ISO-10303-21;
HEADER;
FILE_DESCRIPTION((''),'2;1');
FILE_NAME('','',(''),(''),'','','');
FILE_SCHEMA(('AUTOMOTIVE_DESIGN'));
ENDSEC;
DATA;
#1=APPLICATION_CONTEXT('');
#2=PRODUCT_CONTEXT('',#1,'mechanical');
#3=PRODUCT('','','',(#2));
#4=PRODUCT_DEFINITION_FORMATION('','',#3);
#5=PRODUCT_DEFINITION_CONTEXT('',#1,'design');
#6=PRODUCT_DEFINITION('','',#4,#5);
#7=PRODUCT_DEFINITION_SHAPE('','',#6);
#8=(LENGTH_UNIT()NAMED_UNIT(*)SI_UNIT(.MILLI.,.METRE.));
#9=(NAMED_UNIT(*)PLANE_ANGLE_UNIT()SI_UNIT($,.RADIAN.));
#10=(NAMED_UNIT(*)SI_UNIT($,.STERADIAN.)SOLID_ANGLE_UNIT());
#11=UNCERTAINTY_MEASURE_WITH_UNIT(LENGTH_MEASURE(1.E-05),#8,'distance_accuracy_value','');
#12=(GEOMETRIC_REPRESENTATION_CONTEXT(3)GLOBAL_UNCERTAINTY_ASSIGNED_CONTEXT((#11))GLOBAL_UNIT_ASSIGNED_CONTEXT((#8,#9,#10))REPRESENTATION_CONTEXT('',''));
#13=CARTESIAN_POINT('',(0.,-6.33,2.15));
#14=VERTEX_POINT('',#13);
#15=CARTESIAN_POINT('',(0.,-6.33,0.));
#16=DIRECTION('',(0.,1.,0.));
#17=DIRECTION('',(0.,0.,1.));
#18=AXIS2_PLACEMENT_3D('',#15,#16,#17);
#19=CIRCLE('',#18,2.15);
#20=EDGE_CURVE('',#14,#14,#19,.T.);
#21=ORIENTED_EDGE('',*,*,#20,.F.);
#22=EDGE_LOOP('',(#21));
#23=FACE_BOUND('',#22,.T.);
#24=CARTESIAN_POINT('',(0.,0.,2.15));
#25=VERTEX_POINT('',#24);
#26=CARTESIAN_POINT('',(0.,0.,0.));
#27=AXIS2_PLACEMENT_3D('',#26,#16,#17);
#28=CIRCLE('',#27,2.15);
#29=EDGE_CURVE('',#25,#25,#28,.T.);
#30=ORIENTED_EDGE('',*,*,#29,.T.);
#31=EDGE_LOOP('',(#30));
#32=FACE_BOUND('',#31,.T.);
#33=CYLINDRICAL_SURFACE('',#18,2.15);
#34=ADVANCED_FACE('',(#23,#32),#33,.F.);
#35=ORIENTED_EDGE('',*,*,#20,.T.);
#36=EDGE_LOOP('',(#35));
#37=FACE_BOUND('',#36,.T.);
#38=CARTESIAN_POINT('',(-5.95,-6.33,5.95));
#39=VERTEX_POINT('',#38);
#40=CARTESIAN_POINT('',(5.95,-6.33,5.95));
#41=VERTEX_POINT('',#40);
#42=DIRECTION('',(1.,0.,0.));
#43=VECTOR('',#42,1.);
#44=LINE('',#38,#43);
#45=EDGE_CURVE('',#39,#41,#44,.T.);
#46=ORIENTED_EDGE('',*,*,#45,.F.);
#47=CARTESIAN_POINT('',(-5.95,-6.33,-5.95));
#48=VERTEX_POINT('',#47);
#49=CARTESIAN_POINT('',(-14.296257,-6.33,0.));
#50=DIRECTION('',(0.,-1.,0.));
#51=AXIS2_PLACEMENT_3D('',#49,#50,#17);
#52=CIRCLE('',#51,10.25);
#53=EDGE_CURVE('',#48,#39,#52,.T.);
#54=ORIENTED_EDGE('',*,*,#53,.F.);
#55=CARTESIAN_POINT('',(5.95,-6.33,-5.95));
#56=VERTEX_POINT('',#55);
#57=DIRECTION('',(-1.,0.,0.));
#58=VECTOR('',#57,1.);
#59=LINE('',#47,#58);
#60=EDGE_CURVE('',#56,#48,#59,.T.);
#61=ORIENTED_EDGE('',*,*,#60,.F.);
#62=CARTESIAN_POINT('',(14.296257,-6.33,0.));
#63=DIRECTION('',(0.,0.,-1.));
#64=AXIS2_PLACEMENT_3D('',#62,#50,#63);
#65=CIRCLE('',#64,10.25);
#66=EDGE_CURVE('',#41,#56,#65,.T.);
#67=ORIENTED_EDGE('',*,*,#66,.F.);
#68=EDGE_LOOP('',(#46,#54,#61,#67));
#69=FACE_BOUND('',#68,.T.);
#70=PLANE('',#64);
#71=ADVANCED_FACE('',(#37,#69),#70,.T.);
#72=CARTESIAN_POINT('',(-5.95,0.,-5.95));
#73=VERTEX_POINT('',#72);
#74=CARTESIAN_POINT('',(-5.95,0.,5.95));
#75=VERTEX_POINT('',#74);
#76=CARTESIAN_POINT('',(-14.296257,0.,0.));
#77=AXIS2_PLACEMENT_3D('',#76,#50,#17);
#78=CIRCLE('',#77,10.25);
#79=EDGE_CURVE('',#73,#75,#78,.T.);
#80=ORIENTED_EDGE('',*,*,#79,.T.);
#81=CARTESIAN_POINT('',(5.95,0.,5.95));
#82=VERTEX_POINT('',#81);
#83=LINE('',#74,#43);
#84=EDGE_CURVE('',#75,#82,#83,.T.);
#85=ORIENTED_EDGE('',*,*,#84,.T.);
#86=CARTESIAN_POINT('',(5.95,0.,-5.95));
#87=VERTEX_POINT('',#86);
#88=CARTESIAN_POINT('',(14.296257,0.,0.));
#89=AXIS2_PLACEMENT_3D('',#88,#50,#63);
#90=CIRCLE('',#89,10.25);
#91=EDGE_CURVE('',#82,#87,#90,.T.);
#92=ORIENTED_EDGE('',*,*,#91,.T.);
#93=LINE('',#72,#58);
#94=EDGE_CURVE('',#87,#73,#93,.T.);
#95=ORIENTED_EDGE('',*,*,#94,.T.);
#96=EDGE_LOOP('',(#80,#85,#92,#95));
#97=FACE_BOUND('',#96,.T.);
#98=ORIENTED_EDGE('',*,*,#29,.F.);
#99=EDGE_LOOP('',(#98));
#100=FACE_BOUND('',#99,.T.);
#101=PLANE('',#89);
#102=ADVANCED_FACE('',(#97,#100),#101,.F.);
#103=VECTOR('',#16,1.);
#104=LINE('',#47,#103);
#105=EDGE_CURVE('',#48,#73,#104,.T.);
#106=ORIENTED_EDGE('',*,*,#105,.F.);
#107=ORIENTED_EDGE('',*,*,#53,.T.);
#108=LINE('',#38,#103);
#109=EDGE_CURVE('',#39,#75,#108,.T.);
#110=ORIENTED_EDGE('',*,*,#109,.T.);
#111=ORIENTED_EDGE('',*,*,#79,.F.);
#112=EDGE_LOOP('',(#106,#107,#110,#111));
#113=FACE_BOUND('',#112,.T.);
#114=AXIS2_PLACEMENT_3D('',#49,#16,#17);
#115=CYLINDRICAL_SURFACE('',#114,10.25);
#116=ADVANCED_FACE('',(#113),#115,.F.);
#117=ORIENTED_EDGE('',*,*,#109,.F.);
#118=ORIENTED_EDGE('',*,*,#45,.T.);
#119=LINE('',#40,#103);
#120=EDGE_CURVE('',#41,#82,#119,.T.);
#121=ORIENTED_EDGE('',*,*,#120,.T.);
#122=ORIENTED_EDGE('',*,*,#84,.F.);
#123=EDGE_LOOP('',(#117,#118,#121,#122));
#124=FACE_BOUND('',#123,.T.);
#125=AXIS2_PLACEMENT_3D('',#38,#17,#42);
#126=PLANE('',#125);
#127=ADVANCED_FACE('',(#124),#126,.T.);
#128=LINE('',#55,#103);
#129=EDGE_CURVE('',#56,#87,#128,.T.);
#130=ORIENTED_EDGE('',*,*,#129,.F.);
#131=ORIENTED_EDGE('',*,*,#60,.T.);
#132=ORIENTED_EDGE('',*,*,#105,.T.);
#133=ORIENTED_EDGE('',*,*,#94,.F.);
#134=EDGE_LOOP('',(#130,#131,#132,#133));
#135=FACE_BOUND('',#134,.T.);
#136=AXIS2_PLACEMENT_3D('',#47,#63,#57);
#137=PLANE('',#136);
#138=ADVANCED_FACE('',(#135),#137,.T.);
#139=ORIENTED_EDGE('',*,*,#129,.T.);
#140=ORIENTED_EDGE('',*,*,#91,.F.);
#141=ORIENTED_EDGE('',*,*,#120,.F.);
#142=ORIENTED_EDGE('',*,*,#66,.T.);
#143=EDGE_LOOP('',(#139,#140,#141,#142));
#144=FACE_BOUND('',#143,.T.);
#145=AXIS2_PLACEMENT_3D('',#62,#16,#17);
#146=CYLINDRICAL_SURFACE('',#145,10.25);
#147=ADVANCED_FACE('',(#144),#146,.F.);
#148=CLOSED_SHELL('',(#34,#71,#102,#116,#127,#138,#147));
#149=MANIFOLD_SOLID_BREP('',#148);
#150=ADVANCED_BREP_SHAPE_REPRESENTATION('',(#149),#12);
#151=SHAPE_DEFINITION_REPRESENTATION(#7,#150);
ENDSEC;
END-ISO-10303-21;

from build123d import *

# Parameters (mm, degrees)
BOSS_EXTRUDE1_DEPTH = 6.33
SKETCH2_R           = 2.15
CUT_EXTRUDE1_DEPTH  = 11.529667611


with BuildPart() as part:
    # Sketch1 → Boss-Extrude1 (new body)
    with BuildSketch(Plane(origin=(0, 0, 0), x_dir=(1, 0, 0), z_dir=(0, 1, 0))):
        with BuildLine():
            Line((-5.95, -5.95), (5.95, -5.95))
            ThreePointArc((5.95, -5.95), (4.046256646, 0), (5.95, 5.95))
            Line((5.95, 5.95), (-5.95, 5.95))
            ThreePointArc((-5.95, 5.95), (-4.046256646, 0), (-5.95, -5.95))
        make_face()
    extrude(amount=-BOSS_EXTRUDE1_DEPTH)

    # Sketch2 → Cut-Extrude1 (cut, through all)
    with BuildSketch(Plane(origin=(0, 0, 0), x_dir=(1, 0, 0), z_dir=(0, 1, 0))):
        with Locations(Location((0, 0, 0), (0, 0, 270))):
            Circle(SKETCH2_R)
    extrude(amount=-CUT_EXTRUDE1_DEPTH, mode=Mode.SUBTRACT)


solid = part.part
